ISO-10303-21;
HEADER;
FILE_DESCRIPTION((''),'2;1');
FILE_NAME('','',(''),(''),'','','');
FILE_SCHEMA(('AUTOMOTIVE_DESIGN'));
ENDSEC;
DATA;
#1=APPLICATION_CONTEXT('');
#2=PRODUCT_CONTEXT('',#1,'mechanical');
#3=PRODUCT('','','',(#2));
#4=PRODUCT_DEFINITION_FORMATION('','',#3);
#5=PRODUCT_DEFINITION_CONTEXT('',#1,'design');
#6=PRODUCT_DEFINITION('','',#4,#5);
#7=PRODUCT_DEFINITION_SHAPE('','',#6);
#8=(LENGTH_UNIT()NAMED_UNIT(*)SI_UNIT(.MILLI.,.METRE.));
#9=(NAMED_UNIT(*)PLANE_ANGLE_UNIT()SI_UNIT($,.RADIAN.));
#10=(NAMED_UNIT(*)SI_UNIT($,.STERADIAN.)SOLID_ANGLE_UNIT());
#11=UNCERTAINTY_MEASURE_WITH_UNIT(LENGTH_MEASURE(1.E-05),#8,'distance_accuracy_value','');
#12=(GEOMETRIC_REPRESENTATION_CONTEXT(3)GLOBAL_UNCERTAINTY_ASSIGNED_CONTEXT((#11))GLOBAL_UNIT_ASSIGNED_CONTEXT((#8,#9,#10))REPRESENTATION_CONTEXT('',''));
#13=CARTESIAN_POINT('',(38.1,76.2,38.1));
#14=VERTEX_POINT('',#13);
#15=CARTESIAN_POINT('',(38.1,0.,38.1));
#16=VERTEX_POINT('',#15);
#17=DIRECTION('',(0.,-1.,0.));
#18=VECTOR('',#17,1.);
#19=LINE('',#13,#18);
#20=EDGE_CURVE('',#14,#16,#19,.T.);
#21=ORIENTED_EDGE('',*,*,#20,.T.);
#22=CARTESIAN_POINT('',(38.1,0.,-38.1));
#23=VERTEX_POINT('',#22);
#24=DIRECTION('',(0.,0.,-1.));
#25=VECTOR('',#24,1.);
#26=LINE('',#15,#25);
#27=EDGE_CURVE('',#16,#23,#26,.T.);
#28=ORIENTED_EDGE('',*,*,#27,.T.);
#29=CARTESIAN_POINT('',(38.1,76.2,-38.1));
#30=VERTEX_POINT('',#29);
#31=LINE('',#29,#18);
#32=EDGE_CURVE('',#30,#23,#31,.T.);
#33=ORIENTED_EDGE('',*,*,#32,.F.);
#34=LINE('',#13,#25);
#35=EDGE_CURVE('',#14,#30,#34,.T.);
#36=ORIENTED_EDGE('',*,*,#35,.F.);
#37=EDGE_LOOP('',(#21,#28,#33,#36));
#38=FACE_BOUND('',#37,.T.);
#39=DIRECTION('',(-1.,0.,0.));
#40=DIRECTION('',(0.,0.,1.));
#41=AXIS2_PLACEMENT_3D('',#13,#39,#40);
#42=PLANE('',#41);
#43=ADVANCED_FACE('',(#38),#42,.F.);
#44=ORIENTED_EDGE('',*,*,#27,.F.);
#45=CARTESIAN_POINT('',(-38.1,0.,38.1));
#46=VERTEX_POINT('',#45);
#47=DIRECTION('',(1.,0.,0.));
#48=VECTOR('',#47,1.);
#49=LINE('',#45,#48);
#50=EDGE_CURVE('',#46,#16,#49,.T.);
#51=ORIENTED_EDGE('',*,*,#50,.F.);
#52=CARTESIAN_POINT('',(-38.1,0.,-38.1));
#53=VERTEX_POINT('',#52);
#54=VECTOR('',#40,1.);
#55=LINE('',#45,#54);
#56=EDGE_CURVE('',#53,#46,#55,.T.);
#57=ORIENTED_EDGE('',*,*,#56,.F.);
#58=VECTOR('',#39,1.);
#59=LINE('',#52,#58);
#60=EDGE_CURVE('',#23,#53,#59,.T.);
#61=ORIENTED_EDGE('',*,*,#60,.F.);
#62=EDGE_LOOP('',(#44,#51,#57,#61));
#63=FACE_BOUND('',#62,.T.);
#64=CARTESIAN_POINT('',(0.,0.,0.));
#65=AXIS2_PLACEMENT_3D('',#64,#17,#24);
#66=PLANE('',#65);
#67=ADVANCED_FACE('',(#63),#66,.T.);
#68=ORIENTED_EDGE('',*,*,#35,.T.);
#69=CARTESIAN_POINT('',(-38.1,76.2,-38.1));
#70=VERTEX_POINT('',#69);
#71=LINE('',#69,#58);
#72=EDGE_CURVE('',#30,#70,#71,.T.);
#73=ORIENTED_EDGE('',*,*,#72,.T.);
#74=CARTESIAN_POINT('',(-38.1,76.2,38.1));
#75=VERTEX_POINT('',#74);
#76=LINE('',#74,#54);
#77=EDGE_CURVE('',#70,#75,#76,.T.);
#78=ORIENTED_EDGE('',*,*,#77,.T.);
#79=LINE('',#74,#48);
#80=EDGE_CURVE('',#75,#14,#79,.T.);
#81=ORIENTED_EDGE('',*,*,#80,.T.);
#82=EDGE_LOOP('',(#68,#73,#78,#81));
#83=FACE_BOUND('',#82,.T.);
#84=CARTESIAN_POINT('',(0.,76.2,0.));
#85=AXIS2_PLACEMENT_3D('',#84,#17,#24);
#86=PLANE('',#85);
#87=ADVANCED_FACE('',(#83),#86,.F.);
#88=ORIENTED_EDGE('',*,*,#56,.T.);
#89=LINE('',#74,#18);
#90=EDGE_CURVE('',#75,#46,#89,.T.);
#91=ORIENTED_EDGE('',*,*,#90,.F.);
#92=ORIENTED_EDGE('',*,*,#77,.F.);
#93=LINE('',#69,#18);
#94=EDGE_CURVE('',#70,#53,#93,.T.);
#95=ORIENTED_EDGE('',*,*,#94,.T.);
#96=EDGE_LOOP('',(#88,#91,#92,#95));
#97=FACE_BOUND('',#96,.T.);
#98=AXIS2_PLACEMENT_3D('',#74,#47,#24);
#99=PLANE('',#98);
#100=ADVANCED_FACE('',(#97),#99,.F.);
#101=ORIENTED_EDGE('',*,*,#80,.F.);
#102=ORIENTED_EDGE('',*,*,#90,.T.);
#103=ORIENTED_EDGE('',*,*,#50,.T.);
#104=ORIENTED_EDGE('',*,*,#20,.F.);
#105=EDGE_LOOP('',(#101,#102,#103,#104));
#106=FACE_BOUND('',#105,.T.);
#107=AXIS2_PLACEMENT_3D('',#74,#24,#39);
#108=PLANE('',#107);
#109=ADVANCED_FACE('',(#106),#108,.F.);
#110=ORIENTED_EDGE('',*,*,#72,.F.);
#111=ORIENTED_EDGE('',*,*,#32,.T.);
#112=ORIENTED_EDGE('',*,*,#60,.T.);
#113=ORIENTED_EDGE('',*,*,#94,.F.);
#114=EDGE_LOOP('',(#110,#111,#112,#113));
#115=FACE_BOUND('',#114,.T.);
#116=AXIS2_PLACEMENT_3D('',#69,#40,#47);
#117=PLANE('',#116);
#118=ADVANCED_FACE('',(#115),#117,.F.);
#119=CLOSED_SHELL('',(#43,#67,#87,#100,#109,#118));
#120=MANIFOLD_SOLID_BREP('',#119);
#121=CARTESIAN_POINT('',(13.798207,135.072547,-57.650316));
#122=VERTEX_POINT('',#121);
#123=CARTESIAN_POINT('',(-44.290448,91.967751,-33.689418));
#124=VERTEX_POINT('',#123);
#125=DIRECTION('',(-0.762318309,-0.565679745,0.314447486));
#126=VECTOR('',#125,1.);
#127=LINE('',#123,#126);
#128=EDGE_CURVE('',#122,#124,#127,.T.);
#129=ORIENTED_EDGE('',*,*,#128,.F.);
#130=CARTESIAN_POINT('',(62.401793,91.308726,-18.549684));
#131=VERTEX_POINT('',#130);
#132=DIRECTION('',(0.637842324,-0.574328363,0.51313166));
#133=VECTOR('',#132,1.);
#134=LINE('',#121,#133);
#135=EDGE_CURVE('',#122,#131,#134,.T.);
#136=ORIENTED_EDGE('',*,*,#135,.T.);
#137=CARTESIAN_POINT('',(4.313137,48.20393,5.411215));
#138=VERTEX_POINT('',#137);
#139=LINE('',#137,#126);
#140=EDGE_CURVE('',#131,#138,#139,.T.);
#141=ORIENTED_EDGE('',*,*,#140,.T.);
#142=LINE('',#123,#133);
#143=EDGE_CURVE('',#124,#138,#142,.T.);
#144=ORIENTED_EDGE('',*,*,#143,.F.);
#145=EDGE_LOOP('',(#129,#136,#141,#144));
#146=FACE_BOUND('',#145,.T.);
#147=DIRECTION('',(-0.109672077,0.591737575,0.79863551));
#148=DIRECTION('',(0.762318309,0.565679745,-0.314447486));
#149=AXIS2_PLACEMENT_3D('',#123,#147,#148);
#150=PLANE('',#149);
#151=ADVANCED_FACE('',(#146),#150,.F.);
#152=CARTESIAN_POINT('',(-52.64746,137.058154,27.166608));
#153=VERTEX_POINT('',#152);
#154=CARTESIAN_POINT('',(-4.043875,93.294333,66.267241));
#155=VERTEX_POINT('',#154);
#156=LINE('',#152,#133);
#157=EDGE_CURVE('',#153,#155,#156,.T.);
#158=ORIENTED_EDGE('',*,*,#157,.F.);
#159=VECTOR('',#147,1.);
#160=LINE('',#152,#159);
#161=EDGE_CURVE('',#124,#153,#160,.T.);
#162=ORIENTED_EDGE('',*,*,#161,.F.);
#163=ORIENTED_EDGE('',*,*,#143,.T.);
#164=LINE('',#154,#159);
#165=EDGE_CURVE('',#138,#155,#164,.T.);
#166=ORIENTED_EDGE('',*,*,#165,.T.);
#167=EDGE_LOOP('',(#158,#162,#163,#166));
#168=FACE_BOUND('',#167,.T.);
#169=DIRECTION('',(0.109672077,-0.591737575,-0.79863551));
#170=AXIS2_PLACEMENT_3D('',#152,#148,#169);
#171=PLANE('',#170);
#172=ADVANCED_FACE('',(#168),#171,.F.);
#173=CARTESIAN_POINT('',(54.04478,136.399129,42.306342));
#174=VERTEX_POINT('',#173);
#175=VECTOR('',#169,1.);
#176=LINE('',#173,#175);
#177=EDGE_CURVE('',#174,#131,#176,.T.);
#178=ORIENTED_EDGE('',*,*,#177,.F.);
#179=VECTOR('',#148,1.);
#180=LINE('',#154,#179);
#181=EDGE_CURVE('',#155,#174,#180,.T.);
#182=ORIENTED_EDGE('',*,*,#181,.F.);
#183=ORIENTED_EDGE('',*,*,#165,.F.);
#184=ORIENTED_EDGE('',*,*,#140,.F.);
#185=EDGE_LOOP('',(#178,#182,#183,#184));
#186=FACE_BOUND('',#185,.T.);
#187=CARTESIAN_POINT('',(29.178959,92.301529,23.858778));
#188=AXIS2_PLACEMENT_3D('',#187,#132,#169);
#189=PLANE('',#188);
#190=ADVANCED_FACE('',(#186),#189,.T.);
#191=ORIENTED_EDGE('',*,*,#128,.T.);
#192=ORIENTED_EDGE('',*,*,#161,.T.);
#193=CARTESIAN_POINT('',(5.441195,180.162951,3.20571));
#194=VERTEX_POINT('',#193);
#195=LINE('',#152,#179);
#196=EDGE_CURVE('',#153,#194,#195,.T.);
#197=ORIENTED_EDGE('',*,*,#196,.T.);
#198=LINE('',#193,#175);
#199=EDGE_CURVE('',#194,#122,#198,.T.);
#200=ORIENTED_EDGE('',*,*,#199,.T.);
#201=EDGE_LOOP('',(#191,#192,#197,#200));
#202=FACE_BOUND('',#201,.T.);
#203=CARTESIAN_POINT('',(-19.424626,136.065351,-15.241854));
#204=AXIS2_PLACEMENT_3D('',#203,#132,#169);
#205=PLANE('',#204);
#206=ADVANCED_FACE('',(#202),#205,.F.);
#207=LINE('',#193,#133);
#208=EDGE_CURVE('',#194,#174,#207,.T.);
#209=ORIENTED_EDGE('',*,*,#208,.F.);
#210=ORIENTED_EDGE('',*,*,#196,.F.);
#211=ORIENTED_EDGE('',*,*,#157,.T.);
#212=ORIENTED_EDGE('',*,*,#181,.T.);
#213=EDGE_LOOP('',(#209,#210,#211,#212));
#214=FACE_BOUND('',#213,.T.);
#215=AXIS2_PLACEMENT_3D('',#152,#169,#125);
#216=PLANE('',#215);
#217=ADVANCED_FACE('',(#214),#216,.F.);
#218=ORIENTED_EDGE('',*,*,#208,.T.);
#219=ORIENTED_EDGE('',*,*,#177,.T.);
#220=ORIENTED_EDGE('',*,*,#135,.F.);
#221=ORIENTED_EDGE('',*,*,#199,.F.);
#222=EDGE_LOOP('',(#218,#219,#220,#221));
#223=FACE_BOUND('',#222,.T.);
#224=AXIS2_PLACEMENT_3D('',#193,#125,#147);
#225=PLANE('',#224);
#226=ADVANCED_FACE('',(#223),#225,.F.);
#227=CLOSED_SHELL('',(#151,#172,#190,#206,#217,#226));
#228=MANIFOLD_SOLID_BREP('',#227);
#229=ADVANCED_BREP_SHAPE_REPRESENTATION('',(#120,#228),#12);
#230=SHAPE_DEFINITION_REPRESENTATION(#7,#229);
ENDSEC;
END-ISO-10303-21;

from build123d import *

# Parameters (mm, degrees)
SKETCH1_W             = 76.2
SKETCH1_H             = 76.2
BOSS_EXTRUDE1_DEPTH   = 76.2
BODY_MOVE_COPY1_ANGLE = 55.414104867


with BuildPart() as part:
    # Sketch1 → Boss-Extrude1 (new body)
    with BuildSketch(Plane(origin=(0, 0, 0), x_dir=(1, 0, 0), z_dir=(0, 1, 0))):
        Rectangle(SKETCH1_W, SKETCH1_H)
    extrude(amount=BOSS_EXTRUDE1_DEPTH)


with BuildPart() as body_2:
    # Body-Move/Copy1: copy of part
    add(part.part.moved(Location((0, 0, 0))).rotate(Axis((5.437361952, 44.153662141, -2.520942783), (-0.6710198380109645, 0.12436617590709464, 0.7309346285995654)), BODY_MOVE_COPY1_ANGLE))


with BuildPart() as body_2_1:
    # Body-Move/Copy2: moved
    add(body_2.part.moved(Location((0, 75.090636707, 0))))


solid = Compound([part.part, body_2_1.part])
